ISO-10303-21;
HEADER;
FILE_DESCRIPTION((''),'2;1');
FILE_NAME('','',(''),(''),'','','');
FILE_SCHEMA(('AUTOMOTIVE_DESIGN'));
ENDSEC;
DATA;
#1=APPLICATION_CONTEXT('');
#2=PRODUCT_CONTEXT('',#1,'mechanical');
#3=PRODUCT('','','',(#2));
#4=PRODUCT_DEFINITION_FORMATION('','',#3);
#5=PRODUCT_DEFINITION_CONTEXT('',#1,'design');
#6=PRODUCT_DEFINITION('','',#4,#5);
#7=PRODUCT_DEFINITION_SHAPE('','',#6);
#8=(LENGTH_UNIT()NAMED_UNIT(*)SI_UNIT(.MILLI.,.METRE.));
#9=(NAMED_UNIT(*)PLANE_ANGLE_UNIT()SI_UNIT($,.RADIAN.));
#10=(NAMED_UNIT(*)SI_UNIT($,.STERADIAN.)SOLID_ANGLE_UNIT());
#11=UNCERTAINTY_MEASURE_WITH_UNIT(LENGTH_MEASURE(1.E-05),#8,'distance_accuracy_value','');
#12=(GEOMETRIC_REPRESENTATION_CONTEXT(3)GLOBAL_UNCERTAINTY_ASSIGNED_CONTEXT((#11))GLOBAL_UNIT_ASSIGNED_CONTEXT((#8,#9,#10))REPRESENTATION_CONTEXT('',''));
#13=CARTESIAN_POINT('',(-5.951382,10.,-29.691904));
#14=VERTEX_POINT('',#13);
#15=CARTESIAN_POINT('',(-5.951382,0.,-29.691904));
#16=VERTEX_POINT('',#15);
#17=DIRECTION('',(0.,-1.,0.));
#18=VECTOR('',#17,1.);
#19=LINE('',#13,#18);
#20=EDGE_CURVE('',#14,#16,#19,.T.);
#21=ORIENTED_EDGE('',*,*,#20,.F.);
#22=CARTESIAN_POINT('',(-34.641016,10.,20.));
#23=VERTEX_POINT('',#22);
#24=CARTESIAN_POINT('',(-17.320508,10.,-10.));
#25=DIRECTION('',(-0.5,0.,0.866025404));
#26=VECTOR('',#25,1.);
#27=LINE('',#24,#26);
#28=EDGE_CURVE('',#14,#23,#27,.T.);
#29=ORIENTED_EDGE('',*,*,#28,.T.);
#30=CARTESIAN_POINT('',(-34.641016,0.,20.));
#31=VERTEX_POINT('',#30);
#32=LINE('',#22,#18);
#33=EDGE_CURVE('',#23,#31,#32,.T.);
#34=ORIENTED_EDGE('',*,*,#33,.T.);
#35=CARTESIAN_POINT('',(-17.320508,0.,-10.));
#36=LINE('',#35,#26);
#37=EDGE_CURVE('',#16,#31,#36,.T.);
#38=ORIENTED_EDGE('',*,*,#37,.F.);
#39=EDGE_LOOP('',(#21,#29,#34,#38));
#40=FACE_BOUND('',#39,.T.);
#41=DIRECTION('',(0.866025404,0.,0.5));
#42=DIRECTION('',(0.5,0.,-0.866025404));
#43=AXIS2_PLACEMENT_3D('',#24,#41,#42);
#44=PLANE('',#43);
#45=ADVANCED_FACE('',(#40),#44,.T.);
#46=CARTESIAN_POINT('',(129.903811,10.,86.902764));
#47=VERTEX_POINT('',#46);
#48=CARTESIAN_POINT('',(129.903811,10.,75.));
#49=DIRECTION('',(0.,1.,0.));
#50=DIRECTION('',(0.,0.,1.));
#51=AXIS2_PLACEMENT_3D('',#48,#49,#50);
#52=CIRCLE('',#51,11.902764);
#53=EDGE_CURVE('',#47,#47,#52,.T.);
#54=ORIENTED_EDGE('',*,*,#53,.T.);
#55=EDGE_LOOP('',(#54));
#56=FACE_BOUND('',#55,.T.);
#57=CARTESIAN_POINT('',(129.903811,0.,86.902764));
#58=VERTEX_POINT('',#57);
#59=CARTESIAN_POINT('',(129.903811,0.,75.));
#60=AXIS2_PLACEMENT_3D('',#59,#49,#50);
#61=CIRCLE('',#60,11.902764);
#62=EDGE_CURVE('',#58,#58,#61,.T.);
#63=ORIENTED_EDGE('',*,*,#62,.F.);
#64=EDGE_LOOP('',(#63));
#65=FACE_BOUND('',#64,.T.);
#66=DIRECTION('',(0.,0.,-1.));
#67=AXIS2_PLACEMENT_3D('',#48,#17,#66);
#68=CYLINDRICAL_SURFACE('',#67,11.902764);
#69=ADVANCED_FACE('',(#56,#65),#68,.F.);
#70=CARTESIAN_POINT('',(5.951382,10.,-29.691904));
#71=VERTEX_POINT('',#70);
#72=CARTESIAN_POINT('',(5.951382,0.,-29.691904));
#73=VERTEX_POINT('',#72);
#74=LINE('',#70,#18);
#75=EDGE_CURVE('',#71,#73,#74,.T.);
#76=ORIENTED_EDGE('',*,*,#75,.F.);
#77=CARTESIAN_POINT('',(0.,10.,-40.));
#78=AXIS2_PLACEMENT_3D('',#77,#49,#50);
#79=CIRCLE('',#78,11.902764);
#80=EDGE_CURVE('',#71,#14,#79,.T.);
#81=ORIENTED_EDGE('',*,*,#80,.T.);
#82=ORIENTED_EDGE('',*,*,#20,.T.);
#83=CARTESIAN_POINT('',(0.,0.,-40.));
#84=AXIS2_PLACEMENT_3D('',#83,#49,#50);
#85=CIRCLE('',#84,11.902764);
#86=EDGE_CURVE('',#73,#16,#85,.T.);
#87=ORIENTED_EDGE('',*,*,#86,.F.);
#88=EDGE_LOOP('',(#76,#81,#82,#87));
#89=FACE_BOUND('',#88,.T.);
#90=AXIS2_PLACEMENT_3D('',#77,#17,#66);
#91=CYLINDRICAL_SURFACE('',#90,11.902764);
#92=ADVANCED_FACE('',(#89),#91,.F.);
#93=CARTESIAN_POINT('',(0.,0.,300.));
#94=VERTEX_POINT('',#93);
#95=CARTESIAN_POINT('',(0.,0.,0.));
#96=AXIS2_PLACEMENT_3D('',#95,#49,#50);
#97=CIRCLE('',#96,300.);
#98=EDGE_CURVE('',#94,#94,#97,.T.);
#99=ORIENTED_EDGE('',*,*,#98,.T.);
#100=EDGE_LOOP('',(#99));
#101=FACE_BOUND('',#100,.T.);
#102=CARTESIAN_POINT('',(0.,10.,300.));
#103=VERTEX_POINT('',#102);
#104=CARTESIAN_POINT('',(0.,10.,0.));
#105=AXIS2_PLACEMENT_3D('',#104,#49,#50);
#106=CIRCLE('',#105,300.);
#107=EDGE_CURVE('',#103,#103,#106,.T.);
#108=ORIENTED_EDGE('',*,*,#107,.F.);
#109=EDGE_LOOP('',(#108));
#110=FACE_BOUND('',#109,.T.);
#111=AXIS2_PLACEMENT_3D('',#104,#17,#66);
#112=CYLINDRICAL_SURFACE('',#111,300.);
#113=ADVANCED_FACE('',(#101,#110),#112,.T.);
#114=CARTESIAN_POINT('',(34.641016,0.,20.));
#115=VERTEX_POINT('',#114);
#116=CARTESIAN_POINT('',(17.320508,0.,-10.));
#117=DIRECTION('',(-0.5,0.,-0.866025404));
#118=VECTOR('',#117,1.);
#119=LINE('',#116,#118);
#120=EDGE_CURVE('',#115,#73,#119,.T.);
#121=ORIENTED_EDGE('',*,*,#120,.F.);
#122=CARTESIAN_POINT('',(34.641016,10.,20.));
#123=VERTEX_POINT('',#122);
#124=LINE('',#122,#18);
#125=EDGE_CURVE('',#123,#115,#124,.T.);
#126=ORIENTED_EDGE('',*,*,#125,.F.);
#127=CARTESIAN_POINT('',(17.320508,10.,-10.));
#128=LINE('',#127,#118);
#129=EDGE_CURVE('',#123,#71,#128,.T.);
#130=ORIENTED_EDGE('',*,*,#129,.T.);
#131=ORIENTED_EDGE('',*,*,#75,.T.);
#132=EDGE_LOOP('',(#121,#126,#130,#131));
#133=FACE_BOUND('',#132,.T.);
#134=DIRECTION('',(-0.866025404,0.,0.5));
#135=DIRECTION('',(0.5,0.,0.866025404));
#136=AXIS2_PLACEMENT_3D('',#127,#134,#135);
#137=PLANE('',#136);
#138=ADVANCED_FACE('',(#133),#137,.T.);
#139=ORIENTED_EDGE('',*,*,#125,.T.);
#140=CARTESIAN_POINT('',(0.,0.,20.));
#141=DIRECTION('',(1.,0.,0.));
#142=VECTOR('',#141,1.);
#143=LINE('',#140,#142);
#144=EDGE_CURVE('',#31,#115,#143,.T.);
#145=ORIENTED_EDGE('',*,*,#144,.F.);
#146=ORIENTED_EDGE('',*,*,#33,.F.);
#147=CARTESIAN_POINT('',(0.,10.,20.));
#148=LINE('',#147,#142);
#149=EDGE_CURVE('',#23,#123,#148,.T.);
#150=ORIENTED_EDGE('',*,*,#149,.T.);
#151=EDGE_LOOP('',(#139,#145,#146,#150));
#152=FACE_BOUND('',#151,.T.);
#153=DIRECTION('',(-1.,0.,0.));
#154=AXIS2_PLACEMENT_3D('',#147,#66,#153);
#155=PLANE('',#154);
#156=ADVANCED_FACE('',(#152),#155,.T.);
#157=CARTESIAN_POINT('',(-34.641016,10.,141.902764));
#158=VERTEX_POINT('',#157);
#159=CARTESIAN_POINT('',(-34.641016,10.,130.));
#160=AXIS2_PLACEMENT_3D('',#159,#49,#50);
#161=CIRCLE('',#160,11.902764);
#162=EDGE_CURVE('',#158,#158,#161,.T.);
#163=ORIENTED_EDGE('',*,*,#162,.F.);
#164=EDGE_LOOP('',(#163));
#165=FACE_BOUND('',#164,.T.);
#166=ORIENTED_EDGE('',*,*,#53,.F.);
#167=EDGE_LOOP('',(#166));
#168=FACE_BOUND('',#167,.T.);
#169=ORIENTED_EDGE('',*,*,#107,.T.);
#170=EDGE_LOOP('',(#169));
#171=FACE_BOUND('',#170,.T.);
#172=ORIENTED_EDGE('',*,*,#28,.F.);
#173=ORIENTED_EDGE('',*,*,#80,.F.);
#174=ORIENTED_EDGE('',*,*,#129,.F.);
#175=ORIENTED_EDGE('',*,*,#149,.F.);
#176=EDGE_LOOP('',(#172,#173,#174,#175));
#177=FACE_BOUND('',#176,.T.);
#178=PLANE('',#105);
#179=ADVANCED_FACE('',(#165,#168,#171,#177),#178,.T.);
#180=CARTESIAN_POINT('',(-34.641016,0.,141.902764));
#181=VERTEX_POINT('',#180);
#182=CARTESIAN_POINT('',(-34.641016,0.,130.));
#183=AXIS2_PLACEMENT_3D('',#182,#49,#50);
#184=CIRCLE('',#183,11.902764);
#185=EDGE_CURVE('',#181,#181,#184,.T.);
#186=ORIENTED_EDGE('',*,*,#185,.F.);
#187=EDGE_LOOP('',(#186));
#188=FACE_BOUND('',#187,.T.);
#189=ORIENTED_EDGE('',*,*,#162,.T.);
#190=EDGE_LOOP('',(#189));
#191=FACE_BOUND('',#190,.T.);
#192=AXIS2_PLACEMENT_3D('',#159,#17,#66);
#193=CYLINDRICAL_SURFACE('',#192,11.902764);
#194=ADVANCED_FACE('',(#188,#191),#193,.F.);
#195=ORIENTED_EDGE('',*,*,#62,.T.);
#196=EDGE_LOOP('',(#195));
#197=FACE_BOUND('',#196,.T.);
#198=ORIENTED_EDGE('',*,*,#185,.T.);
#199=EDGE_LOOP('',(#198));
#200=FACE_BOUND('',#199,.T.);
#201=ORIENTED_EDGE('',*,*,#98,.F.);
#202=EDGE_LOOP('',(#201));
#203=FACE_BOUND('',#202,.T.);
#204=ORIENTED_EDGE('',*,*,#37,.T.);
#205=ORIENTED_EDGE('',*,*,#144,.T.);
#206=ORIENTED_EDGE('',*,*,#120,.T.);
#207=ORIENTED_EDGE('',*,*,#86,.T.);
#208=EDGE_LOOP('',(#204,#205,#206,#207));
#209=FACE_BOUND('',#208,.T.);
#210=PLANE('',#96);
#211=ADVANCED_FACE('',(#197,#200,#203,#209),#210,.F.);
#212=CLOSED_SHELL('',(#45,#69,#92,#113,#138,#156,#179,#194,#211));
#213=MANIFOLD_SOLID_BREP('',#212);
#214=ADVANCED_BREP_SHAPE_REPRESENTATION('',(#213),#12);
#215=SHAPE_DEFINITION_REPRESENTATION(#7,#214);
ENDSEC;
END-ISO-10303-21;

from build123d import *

# Parameters (mm, degrees)
ESQUISSE1_R        = 300
ESQUISSE1_R_2      = 11.902763715
BOSS_EXTRU_1_DEPTH = 10


with BuildPart() as part:
    # Esquisse1 → Boss.-Extru.1 (new body)
    with BuildSketch(Plane(origin=(0, 0, 0), x_dir=(1, 0, 0), z_dir=(0, 1, 0))):
        with Locations(Location((0, 0, 0), (0, 0, 270))):
            Circle(ESQUISSE1_R)
        with Locations(Location((-34.641016151, -130, 0), (0, 0, 270))):
            Circle(ESQUISSE1_R_2, mode=Mode.SUBTRACT)
        with Locations(Location((129.903810568, -75, 0), (0, 0, 270))):
            Circle(ESQUISSE1_R_2, mode=Mode.SUBTRACT)
        with BuildLine():
            Line((-34.641016151, -20), (-5.951381857, 29.691904248))
            ThreePointArc((-5.951381857, 29.691904248), (-5.951381857, 50.308095752), (11.902763715, 40))
            ThreePointArc((11.902763715, 40), (10.308095752, 34.048618143), (5.951381857, 29.691904248))
            Line((5.951381857, 29.691904248), (34.641016151, -20))
            Line((34.641016151, -20), (-34.641016151, -20))
        make_face(mode=Mode.SUBTRACT)
    extrude(amount=BOSS_EXTRU_1_DEPTH)


solid = part.part
